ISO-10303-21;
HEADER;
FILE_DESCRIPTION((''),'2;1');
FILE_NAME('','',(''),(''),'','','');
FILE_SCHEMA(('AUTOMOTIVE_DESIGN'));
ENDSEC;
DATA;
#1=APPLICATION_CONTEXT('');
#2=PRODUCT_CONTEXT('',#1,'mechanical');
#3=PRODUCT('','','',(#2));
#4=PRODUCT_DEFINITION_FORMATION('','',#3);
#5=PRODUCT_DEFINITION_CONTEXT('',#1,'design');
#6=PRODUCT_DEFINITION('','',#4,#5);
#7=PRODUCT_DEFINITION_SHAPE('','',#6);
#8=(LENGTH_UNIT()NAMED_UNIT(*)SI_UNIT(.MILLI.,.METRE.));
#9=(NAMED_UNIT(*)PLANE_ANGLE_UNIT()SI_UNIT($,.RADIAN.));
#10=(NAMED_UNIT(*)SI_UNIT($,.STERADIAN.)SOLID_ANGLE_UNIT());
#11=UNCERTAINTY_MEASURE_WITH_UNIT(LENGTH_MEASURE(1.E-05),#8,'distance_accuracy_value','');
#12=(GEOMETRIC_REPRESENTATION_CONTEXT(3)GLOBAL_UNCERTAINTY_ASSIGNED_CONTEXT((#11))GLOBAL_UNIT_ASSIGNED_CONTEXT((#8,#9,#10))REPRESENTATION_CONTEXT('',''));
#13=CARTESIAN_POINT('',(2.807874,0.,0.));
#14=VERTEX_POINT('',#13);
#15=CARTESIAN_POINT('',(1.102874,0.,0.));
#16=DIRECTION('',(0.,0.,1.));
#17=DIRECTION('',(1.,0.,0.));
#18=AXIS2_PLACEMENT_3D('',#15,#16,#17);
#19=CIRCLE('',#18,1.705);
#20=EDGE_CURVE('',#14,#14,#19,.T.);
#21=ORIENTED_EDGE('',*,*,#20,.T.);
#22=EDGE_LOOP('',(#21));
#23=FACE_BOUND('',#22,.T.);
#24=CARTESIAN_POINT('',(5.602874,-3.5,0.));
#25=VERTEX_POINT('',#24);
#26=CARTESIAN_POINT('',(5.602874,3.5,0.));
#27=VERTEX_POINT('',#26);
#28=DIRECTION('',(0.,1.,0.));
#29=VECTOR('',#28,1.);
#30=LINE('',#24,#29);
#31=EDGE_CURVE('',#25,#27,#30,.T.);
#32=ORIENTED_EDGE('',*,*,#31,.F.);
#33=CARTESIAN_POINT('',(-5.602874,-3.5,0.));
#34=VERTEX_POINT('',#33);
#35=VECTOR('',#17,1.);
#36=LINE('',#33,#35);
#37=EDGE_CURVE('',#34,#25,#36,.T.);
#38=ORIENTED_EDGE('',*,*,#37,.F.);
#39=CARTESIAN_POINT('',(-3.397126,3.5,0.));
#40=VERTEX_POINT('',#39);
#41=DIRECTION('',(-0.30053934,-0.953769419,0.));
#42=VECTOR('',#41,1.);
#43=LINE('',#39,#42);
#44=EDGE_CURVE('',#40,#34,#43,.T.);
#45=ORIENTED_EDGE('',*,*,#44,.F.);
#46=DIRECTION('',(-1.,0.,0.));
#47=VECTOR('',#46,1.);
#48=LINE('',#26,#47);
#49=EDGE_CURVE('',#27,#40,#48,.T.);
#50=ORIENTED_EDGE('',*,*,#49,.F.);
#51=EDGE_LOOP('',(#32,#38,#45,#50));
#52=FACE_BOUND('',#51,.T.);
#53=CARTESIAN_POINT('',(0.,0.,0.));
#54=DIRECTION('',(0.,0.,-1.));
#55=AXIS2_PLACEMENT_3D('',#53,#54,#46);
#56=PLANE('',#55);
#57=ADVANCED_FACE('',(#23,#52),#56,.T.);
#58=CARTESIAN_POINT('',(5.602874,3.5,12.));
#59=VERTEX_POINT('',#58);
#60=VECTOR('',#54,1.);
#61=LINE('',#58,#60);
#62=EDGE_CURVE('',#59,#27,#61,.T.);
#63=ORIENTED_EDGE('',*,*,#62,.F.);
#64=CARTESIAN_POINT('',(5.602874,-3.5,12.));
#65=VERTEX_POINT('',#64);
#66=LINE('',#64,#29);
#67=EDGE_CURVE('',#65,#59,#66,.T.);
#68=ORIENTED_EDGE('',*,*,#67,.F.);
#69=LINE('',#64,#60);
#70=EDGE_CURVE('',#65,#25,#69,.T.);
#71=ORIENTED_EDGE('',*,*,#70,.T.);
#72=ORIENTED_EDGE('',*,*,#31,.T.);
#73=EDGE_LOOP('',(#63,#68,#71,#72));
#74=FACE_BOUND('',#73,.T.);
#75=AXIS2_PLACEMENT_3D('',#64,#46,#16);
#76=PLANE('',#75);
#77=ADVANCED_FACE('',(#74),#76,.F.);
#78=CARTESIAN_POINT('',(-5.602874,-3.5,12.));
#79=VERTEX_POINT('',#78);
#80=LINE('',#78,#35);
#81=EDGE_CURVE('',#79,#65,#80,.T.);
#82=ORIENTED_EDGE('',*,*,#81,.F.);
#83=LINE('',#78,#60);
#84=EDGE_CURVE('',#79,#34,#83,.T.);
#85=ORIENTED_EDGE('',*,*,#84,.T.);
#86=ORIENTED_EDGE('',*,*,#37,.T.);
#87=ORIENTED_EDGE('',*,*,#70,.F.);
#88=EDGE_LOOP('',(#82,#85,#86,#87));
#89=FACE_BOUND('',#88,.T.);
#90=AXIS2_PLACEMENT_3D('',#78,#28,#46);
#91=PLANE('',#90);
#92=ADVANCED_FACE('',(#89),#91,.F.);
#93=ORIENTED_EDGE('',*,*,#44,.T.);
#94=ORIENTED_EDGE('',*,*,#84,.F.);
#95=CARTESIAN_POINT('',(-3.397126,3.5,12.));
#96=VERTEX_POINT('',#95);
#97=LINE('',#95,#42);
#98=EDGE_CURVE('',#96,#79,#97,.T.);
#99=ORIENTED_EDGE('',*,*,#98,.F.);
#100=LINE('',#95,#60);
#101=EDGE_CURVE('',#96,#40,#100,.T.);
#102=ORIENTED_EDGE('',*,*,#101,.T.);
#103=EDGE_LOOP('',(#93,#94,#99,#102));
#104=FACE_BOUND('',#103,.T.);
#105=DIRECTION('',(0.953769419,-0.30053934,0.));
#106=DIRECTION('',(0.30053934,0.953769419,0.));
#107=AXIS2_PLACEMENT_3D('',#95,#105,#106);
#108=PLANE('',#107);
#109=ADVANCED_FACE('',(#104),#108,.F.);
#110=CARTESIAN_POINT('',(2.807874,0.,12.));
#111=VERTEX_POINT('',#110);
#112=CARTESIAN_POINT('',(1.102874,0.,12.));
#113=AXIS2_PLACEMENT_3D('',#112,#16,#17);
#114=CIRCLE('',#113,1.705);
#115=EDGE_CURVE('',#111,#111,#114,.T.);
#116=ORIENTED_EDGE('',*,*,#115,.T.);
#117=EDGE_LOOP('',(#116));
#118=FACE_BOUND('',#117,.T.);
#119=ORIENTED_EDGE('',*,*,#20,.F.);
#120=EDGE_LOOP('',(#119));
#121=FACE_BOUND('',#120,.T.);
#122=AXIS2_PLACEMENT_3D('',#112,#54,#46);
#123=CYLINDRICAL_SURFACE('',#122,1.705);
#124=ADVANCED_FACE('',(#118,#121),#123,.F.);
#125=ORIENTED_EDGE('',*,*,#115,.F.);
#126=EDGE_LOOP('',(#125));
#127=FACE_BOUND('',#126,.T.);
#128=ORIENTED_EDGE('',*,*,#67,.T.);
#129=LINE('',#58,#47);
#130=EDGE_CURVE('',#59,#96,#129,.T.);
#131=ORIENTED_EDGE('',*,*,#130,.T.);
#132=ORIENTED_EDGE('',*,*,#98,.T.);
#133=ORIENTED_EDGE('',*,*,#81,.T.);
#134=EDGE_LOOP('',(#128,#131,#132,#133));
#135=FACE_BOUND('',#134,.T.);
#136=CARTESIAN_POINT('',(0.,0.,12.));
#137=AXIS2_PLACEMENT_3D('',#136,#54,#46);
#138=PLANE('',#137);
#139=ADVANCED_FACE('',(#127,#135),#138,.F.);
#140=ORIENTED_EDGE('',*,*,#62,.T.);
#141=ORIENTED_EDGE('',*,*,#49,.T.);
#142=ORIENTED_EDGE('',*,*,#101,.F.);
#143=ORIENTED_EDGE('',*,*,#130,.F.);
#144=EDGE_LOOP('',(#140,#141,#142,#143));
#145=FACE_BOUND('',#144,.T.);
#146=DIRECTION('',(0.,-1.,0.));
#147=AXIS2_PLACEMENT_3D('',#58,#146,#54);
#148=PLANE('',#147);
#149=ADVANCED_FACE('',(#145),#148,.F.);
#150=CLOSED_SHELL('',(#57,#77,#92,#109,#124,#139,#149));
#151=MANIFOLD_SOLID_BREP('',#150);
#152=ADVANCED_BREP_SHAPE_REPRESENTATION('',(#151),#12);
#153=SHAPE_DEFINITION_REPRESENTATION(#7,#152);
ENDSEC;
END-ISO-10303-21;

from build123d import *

# Parameters (mm, degrees)
SKETCH1_R           = 1.705
BOSS_EXTRUDE1_DEPTH = 12


with BuildPart() as part:
    # Sketch1 → Boss-Extrude1 (new body)
    with BuildSketch(Plane.XY):
        Polygon((-3.397125795, 3.5), (-5.602874205, -3.5), (5.602874205, -3.5), (5.602874205, 3.5), align=None)
        with Locations((1.102874205, 0)):
            Circle(SKETCH1_R, mode=Mode.SUBTRACT)
    extrude(amount=BOSS_EXTRUDE1_DEPTH)


solid = part.part
